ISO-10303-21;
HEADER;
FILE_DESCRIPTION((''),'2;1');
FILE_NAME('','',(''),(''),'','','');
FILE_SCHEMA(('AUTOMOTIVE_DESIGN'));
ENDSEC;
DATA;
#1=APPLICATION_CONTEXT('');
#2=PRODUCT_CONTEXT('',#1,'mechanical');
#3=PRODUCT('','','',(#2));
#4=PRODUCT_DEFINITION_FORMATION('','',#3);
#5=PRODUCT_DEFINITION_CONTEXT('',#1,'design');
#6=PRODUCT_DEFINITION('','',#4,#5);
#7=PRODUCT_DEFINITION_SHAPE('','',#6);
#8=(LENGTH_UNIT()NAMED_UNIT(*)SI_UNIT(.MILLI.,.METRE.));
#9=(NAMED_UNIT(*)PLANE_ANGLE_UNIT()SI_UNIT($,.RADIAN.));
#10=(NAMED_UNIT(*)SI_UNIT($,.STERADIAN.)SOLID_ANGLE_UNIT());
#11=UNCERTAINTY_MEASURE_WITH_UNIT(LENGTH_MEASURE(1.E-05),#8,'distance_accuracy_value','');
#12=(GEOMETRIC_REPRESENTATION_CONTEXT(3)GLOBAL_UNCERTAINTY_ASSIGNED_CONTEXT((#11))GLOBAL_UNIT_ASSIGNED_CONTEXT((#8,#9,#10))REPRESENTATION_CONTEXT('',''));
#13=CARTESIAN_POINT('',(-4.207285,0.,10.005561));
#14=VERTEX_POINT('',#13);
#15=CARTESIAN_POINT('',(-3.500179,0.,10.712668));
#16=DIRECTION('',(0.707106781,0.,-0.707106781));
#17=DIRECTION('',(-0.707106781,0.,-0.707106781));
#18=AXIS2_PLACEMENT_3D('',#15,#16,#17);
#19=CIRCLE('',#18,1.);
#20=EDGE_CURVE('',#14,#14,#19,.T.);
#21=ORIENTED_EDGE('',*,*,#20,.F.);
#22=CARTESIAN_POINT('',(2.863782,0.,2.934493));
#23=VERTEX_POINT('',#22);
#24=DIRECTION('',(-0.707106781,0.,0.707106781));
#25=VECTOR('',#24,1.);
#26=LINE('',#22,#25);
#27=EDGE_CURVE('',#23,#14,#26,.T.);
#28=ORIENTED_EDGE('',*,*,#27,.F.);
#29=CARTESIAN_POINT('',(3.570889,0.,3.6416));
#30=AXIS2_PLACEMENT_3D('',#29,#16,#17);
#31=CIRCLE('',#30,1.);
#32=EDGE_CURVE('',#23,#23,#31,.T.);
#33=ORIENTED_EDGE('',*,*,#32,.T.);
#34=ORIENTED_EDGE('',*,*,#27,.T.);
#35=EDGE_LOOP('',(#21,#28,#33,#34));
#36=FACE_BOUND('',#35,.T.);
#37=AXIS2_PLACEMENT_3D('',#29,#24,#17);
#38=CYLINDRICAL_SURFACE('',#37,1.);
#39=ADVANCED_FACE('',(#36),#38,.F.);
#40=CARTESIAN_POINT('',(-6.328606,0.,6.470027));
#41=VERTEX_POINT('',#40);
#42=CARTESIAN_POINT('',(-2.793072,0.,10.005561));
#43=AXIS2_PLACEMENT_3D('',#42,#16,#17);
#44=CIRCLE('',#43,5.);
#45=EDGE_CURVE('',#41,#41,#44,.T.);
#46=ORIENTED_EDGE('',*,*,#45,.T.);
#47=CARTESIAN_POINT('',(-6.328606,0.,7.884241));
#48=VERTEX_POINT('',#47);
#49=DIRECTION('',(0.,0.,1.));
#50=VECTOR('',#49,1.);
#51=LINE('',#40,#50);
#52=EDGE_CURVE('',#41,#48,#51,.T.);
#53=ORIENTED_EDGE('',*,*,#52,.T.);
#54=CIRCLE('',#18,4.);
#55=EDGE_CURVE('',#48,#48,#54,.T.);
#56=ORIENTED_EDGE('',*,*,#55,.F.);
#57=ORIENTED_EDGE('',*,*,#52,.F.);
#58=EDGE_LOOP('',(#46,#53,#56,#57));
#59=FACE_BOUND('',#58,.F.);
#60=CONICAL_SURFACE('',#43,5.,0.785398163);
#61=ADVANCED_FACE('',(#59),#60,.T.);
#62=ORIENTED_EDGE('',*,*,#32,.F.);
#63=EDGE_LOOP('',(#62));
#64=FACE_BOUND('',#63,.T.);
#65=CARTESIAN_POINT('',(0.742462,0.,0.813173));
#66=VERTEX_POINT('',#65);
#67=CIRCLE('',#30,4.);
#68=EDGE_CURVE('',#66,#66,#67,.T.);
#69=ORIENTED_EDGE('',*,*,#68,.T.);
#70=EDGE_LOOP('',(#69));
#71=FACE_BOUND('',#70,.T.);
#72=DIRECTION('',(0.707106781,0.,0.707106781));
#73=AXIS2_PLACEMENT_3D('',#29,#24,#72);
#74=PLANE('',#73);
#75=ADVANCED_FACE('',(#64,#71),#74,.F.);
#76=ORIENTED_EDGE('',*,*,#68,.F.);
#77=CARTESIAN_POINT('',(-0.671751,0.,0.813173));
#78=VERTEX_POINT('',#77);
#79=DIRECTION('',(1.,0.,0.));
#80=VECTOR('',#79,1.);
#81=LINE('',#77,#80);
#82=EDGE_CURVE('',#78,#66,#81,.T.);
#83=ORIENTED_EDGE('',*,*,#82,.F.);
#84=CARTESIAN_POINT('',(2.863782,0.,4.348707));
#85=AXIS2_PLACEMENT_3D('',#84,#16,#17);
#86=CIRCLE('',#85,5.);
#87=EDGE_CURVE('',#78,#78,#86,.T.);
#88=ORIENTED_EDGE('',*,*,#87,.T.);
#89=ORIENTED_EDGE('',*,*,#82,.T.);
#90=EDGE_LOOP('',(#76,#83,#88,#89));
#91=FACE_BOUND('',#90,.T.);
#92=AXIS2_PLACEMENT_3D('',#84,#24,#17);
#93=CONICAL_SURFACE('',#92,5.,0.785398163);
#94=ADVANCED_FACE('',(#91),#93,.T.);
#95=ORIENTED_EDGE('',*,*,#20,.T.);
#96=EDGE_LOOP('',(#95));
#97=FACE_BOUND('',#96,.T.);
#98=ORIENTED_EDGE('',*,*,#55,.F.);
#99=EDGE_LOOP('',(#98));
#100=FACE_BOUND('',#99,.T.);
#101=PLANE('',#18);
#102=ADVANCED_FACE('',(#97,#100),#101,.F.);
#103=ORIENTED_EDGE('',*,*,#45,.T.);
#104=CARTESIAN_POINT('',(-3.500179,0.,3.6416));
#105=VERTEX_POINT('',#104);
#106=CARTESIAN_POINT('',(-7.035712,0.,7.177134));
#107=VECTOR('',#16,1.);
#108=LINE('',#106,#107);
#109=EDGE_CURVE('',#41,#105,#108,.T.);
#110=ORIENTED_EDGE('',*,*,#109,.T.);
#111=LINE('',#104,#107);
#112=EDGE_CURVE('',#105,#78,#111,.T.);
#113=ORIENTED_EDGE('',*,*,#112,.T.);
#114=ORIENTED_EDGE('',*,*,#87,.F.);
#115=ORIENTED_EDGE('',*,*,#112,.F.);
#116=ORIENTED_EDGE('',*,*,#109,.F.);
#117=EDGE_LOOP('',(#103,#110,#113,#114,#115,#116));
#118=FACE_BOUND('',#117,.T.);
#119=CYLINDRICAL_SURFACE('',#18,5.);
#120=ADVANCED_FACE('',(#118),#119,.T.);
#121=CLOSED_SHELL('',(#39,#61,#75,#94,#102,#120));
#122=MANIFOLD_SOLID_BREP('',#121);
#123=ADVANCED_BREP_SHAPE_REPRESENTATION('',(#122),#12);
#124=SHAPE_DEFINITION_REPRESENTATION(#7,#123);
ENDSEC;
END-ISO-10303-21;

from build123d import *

# Parameters (mm, degrees)
F2_SIZE = 1


with BuildPart() as f1:
    # F0 (on Front) → F1 (revolve)
    with BuildSketch(Plane.XZ):
        Polygon((-7.0357124728, 7.177133829), (-3.5001785669, 3.6415999231), (0.0353553391, 0.1060660172), (2.8637824638, 2.9344931419), (-4.2072853481, 10.0055609538), align=None)
    revolve(axis=Axis((-2.4029260298, 0, 9.6154151979), (0.7071067812, 0, -0.7071067812)))

    # F2
    f2_edges = [f1.edges().sort_by_distance(p)[0] for p in [
        (0.035355, 0, 14.248202),
        (7.106423, 0, 7.177134),
    ]]
    chamfer(f2_edges, length=F2_SIZE)


solid = f1.part
